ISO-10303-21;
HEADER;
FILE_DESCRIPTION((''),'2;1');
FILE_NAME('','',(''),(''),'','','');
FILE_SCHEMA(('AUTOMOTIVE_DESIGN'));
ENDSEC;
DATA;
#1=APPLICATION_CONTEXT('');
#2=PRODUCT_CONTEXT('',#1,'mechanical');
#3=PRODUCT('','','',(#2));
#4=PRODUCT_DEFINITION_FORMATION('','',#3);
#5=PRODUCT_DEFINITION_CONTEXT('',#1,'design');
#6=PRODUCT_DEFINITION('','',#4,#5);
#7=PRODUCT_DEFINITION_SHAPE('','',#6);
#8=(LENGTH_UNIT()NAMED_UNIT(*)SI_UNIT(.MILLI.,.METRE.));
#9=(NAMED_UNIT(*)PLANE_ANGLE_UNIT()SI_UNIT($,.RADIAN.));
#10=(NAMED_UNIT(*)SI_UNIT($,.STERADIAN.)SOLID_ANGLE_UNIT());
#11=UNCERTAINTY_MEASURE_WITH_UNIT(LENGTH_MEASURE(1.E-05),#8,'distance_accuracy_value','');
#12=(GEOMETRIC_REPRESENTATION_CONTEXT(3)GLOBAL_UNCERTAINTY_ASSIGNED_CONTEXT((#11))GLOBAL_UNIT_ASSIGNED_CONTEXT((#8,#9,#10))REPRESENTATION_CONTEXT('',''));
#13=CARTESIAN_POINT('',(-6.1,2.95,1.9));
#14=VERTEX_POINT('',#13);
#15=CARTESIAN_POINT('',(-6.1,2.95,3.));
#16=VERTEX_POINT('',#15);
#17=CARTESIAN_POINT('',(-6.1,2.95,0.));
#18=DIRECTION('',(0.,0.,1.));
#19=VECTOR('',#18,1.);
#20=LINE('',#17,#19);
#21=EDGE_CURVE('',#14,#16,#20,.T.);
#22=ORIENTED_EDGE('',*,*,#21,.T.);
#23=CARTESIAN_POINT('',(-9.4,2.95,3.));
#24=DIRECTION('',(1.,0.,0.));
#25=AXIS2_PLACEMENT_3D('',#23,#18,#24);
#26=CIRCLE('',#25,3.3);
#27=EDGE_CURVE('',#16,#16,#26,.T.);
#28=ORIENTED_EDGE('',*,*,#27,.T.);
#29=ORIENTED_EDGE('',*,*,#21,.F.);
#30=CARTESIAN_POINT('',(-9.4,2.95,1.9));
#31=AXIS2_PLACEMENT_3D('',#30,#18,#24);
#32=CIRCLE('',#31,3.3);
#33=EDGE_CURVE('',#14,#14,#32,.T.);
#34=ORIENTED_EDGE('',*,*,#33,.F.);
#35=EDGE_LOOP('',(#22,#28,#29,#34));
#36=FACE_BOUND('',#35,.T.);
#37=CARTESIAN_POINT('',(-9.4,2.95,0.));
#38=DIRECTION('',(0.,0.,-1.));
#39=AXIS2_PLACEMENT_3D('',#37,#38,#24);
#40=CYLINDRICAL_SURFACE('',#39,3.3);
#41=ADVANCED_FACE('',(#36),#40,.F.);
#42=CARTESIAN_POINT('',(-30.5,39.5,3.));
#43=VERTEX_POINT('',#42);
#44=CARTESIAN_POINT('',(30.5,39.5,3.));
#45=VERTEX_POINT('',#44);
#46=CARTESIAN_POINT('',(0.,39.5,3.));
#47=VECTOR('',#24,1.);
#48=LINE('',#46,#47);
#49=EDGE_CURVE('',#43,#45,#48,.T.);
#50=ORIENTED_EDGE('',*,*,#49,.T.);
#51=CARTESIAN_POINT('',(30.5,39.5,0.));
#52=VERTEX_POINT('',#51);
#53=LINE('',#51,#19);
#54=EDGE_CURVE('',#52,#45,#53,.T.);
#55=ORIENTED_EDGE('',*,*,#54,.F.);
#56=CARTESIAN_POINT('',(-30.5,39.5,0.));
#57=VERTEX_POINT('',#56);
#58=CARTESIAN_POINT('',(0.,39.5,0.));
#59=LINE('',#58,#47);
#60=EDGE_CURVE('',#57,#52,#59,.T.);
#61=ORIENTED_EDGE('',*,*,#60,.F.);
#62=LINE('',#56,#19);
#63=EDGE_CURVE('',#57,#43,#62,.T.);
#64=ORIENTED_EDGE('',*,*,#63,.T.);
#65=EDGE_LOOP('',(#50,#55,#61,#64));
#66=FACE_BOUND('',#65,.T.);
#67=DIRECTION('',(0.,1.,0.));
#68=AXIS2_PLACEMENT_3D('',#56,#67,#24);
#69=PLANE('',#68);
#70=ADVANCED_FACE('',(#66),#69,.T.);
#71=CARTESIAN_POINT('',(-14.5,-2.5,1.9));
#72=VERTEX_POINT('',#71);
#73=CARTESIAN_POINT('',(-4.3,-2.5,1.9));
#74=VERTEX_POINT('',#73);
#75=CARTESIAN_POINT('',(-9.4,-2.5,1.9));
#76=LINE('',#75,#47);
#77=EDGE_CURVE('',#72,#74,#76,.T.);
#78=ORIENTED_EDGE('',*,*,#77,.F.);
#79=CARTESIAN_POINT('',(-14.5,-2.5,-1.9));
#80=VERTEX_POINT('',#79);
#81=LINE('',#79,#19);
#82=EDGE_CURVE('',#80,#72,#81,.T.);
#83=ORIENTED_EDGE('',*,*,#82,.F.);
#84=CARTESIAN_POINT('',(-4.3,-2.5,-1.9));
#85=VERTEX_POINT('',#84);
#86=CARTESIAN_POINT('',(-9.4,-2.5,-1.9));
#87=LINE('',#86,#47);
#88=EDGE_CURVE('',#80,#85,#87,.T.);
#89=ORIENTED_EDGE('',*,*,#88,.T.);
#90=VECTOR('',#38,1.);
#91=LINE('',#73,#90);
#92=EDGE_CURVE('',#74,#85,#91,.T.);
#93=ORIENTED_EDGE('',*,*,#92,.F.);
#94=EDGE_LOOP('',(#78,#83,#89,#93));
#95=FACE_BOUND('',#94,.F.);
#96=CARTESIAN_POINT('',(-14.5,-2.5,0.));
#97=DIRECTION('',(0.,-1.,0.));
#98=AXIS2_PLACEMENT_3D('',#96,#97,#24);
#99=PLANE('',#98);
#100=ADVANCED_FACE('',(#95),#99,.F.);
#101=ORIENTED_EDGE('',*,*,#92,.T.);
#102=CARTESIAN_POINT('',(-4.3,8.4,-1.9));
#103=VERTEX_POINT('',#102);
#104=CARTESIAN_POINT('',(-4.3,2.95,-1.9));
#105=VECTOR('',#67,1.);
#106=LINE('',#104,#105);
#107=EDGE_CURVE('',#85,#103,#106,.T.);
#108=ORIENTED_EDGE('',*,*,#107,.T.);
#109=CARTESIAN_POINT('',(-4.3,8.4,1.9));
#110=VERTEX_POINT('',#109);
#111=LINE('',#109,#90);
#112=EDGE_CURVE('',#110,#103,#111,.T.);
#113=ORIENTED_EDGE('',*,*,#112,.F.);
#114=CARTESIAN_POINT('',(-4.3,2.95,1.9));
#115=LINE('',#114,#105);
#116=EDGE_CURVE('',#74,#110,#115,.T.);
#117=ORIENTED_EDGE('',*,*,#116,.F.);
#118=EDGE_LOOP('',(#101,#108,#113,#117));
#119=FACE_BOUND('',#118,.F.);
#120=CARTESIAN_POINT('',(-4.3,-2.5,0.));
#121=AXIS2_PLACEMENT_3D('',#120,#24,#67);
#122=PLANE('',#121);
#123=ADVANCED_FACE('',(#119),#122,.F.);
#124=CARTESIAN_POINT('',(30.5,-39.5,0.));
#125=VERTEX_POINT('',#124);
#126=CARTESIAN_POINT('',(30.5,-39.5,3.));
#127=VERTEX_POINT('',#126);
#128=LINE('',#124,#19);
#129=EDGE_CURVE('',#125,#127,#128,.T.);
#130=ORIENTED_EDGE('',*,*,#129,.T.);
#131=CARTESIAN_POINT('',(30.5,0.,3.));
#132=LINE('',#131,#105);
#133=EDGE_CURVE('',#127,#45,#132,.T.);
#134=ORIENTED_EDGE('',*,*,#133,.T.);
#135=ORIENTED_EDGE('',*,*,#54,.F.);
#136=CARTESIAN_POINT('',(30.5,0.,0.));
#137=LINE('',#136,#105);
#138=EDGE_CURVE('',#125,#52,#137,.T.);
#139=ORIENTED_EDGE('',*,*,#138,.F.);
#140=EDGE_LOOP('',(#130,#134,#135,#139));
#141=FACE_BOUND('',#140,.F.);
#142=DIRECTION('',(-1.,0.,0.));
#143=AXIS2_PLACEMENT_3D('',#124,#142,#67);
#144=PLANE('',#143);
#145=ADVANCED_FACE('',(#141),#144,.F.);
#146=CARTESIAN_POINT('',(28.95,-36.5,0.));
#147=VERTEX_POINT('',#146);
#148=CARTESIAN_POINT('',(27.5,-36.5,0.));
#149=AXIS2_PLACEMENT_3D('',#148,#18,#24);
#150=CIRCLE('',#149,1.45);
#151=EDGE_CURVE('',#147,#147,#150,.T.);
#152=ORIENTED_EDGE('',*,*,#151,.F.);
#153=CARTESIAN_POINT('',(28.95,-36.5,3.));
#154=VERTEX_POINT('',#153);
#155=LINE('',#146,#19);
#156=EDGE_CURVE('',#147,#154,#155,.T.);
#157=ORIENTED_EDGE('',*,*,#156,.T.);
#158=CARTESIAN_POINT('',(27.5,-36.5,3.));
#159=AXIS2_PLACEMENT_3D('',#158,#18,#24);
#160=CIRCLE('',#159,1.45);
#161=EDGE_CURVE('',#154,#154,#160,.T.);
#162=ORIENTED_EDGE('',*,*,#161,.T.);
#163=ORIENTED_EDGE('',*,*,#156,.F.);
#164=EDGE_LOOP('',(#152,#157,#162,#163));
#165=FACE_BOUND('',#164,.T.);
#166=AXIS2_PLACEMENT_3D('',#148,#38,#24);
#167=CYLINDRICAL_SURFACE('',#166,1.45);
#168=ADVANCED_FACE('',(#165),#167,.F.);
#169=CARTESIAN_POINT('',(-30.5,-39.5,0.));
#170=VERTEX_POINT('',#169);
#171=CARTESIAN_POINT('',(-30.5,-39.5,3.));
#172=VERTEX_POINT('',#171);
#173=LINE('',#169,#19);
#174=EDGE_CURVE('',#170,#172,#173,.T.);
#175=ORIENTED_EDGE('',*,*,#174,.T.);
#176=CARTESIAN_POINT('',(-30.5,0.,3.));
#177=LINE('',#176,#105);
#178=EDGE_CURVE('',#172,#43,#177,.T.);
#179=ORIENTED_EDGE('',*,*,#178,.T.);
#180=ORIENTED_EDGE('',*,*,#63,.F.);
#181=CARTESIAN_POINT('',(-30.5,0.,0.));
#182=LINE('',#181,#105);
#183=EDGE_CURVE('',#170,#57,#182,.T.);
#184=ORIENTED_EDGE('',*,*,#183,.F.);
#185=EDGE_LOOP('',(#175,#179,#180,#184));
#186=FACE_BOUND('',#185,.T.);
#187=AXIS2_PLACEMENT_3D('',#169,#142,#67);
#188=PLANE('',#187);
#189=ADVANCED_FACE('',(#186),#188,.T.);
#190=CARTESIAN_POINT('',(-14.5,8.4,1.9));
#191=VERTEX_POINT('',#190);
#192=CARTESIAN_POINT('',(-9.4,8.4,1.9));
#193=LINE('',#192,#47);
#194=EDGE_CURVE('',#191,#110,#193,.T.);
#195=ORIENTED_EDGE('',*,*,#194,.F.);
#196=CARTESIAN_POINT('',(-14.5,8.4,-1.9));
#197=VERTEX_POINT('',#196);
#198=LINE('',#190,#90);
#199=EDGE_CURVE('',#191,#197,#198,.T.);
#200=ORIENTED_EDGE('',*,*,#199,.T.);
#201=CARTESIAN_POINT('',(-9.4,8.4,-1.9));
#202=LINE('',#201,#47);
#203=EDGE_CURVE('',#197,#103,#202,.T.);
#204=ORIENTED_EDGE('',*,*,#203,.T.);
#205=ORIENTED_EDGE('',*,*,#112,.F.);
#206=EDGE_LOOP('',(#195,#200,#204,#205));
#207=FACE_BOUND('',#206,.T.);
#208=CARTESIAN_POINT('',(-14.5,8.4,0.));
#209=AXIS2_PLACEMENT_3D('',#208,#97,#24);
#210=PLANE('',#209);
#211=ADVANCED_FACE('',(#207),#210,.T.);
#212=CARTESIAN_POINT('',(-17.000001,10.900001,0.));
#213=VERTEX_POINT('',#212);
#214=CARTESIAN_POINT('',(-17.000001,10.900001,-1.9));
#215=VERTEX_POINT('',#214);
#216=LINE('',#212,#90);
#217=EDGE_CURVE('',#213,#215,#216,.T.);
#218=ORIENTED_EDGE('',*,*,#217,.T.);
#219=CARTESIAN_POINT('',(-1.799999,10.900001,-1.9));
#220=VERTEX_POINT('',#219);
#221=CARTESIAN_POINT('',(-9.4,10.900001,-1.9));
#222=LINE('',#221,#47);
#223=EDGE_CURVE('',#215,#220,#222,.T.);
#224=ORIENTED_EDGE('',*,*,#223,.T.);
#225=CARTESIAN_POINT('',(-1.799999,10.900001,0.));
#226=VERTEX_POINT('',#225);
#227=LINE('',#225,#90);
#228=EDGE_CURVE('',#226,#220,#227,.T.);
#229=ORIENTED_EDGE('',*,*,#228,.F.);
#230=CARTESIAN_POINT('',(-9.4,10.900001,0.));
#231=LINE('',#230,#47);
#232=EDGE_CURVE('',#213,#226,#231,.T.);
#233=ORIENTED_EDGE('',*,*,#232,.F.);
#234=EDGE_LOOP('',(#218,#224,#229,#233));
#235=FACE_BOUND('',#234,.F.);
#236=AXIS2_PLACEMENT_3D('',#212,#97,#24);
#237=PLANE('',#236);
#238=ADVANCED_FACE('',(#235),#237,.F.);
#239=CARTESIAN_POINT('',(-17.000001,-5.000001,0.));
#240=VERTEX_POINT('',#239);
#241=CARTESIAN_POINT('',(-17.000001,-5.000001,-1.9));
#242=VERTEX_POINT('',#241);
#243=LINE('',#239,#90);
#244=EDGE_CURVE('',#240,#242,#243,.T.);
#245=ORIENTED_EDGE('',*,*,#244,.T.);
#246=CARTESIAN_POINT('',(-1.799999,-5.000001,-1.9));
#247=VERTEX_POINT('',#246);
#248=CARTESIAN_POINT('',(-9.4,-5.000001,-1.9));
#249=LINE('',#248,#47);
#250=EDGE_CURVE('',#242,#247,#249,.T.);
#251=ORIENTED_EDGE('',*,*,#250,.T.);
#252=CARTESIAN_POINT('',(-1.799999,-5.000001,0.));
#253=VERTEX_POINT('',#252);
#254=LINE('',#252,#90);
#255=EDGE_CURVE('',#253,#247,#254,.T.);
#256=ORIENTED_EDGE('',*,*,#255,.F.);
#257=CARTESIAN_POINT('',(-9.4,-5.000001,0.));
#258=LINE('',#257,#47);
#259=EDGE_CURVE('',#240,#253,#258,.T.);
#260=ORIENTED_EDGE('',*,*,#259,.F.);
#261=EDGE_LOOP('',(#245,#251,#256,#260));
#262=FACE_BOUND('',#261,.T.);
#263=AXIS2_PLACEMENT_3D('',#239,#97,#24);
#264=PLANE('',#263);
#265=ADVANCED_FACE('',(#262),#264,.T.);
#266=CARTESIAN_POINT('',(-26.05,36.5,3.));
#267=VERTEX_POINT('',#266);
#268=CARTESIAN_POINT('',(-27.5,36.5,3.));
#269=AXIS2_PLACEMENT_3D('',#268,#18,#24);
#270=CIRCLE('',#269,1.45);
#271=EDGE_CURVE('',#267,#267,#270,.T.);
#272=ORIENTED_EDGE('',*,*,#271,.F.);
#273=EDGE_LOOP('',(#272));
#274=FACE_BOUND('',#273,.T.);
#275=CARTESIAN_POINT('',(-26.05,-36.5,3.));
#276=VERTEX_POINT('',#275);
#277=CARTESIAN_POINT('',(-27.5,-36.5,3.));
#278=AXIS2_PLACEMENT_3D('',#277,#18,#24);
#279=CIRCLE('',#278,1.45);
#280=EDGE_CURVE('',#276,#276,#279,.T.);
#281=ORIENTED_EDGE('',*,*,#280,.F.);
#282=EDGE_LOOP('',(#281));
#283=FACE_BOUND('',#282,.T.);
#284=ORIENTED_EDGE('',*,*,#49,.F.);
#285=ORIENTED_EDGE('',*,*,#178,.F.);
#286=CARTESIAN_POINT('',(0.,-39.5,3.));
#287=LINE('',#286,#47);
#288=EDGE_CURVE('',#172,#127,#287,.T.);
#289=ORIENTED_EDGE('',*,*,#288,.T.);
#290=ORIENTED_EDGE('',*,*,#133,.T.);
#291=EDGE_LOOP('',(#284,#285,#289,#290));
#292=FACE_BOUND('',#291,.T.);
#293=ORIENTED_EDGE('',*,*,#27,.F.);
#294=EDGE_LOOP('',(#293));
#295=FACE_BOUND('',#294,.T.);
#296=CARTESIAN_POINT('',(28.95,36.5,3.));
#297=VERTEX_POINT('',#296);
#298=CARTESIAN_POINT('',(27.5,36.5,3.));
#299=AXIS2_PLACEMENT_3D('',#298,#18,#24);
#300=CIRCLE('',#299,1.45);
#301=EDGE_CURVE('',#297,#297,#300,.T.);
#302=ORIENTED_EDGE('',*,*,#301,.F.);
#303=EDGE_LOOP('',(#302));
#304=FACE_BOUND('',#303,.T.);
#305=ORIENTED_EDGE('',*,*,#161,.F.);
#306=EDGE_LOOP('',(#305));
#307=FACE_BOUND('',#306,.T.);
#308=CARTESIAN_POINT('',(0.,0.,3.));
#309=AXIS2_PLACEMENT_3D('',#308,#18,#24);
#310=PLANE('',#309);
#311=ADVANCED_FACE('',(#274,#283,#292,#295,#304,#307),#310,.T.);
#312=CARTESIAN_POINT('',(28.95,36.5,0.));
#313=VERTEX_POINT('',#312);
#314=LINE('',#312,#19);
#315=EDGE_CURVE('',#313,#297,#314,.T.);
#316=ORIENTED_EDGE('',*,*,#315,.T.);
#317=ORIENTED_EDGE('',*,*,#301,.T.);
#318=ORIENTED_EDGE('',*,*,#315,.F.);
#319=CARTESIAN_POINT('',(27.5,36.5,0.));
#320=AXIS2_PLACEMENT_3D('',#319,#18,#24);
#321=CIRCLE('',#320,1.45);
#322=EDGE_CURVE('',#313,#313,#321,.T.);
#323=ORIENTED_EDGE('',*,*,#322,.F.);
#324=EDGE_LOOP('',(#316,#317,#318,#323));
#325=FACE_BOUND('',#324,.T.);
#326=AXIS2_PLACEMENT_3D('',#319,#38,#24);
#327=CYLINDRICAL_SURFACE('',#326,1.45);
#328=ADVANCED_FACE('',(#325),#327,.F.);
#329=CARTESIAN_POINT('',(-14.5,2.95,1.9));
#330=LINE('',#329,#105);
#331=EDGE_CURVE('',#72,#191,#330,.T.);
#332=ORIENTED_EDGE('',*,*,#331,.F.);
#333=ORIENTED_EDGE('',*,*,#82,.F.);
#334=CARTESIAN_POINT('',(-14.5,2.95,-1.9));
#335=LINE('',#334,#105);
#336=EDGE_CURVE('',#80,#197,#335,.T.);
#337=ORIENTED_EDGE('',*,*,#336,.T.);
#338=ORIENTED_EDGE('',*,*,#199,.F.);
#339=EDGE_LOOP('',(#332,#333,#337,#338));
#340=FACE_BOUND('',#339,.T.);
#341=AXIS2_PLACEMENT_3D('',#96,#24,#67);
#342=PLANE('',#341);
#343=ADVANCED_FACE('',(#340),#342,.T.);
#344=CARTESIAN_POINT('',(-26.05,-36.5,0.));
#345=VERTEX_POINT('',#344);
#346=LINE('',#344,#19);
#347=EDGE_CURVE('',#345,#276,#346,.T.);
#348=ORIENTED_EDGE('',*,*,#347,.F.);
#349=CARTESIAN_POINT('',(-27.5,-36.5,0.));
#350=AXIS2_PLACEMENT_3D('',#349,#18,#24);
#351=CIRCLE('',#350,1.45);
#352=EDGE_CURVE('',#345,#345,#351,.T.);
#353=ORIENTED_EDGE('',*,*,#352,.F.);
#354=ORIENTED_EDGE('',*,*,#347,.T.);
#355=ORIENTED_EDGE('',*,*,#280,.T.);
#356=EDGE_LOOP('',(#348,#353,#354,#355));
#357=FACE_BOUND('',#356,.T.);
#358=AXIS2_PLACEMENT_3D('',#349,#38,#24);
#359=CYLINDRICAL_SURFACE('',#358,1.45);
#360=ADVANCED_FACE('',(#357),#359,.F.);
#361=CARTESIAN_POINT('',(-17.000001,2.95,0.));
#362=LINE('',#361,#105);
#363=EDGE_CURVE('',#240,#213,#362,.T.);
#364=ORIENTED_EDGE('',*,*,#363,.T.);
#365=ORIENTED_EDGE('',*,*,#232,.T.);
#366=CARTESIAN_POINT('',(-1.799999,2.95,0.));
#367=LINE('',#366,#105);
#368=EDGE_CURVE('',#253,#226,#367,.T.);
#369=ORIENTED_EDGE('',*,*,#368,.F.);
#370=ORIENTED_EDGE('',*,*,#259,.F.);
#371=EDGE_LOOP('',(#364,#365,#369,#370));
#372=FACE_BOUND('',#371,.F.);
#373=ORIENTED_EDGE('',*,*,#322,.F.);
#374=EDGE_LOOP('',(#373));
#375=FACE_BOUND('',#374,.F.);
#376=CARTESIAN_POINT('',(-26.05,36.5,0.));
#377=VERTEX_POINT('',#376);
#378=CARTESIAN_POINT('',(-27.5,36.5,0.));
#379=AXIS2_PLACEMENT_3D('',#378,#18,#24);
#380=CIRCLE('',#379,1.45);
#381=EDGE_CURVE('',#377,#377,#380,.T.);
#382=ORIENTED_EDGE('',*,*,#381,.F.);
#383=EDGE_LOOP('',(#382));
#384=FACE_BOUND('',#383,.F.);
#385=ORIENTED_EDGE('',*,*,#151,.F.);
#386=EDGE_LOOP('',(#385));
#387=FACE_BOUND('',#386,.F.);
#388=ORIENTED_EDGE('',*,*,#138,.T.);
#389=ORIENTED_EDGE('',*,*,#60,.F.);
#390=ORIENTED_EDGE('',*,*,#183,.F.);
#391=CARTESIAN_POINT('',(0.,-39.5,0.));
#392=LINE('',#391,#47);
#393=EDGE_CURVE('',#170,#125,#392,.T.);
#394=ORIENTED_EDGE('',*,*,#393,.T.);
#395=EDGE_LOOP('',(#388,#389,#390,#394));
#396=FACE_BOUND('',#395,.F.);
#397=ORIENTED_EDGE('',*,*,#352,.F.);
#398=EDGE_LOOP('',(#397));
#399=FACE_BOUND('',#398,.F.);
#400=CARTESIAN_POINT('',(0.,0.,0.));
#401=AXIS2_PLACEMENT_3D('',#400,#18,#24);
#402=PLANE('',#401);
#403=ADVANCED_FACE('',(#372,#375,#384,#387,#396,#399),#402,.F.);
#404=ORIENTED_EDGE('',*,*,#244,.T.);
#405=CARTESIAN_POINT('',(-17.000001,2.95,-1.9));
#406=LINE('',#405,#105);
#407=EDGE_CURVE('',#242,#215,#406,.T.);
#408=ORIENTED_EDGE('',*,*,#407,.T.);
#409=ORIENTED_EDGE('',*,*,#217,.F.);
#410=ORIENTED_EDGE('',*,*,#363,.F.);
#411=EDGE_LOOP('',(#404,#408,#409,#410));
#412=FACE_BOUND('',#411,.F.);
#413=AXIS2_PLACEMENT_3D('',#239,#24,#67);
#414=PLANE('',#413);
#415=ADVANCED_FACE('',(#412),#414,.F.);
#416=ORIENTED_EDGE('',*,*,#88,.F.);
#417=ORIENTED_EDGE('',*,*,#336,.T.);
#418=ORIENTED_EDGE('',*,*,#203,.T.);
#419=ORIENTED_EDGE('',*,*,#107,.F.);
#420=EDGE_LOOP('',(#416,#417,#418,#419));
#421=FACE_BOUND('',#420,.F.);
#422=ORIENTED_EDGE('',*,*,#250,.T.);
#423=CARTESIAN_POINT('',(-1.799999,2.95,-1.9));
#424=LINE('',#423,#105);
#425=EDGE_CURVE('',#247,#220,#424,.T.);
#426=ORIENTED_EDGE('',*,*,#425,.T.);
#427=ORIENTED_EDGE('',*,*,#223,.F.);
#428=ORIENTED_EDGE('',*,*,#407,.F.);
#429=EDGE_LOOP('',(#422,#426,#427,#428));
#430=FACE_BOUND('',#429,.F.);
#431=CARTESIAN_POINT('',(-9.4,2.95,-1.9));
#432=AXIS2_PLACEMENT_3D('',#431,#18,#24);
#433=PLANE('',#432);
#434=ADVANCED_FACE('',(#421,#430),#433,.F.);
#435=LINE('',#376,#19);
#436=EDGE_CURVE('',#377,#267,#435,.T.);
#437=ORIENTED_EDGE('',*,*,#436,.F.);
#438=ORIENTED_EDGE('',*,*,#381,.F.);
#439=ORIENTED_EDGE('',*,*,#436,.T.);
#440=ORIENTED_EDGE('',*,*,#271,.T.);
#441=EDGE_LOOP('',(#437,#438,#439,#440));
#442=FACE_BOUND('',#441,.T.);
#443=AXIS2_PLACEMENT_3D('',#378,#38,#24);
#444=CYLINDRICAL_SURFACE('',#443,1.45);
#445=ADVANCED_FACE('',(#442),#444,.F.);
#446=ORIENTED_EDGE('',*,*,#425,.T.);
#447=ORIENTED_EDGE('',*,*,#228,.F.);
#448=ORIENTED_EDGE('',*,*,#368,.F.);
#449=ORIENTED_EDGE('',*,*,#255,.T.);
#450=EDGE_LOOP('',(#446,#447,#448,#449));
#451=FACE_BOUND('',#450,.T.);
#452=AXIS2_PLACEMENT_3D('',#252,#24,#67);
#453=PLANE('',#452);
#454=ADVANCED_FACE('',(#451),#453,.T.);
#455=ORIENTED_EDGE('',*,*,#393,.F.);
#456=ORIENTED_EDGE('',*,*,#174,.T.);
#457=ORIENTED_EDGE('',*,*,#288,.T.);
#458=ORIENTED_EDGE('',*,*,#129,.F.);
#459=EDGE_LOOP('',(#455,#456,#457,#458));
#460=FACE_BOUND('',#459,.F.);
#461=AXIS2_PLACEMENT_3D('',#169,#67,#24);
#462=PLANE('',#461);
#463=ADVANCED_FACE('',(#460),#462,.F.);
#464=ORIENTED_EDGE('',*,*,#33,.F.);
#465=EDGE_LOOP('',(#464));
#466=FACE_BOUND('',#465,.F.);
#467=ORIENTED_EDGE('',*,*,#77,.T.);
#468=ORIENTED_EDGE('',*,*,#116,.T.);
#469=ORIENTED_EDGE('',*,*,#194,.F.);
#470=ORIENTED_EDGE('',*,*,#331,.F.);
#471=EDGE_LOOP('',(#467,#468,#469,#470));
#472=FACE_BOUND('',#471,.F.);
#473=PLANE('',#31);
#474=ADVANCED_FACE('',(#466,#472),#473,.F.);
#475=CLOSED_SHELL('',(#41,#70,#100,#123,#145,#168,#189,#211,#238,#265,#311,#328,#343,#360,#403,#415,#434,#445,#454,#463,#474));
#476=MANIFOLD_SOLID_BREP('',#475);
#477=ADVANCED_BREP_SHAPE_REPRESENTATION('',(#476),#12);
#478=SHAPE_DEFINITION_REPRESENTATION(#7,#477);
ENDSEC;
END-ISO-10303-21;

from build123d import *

# Parameters (mm, degrees)
F0_W     = 61
F0_H     = 79
F0_R     = 1.45
F0_W_2   = 15.200002
F0_H_2   = 15.900002
F0_W_3   = 10.2
F0_H_3   = 10.9
F0_R_2   = 3.3
F1_DEPTH = 3
F2_DEPTH = 1.9
F3_DEPTH = 1.9


with BuildPart() as f1:
    # F0 (on Top) → F1 (new body)
    with BuildSketch(Plane.XY):
        Rectangle(F0_W, F0_H)
        with Locations((-27.5, -36.5)):
            Circle(F0_R, mode=Mode.SUBTRACT)
        with Locations((27.5, -36.5)):
            Circle(F0_R, mode=Mode.SUBTRACT)
        with Locations((-9.4, 2.95)):
            Rectangle(F0_W_2, F0_H_2, mode=Mode.SUBTRACT)
        with Locations((-27.5, 36.5)):
            Circle(F0_R, mode=Mode.SUBTRACT)
        with Locations((27.5, 36.5)):
            Circle(F0_R, mode=Mode.SUBTRACT)
        with Locations((-9.4, 2.95)):
            Rectangle(F0_W_2, F0_H_2)
        with Locations((-9.4, 2.95)):
            Rectangle(F0_W_3, F0_H_3, mode=Mode.SUBTRACT)
        with Locations((-9.4, 2.95)):
            Rectangle(F0_W_3, F0_H_3)
        with Locations((-9.4, 2.95)):
            Circle(F0_R_2, mode=Mode.SUBTRACT)
    extrude(amount=F1_DEPTH)

    # F0 (on Top) → F2 (cut)
    with BuildSketch(Plane.XY):
        with Locations((-9.4, 2.95)):
            Rectangle(F0_W_3, F0_H_3)
        with Locations((-9.4, 2.95)):
            Circle(F0_R_2, mode=Mode.SUBTRACT)
    extrude(amount=F2_DEPTH, mode=Mode.SUBTRACT)

    # F0 (on Top) → F3 (join)
    with BuildSketch(Plane.XY):
        with Locations((-9.4, 2.95)):
            Rectangle(F0_W_2, F0_H_2)
        with Locations((-9.4, 2.95)):
            Rectangle(F0_W_3, F0_H_3, mode=Mode.SUBTRACT)
    extrude(amount=-F3_DEPTH)


solid = f1.part
